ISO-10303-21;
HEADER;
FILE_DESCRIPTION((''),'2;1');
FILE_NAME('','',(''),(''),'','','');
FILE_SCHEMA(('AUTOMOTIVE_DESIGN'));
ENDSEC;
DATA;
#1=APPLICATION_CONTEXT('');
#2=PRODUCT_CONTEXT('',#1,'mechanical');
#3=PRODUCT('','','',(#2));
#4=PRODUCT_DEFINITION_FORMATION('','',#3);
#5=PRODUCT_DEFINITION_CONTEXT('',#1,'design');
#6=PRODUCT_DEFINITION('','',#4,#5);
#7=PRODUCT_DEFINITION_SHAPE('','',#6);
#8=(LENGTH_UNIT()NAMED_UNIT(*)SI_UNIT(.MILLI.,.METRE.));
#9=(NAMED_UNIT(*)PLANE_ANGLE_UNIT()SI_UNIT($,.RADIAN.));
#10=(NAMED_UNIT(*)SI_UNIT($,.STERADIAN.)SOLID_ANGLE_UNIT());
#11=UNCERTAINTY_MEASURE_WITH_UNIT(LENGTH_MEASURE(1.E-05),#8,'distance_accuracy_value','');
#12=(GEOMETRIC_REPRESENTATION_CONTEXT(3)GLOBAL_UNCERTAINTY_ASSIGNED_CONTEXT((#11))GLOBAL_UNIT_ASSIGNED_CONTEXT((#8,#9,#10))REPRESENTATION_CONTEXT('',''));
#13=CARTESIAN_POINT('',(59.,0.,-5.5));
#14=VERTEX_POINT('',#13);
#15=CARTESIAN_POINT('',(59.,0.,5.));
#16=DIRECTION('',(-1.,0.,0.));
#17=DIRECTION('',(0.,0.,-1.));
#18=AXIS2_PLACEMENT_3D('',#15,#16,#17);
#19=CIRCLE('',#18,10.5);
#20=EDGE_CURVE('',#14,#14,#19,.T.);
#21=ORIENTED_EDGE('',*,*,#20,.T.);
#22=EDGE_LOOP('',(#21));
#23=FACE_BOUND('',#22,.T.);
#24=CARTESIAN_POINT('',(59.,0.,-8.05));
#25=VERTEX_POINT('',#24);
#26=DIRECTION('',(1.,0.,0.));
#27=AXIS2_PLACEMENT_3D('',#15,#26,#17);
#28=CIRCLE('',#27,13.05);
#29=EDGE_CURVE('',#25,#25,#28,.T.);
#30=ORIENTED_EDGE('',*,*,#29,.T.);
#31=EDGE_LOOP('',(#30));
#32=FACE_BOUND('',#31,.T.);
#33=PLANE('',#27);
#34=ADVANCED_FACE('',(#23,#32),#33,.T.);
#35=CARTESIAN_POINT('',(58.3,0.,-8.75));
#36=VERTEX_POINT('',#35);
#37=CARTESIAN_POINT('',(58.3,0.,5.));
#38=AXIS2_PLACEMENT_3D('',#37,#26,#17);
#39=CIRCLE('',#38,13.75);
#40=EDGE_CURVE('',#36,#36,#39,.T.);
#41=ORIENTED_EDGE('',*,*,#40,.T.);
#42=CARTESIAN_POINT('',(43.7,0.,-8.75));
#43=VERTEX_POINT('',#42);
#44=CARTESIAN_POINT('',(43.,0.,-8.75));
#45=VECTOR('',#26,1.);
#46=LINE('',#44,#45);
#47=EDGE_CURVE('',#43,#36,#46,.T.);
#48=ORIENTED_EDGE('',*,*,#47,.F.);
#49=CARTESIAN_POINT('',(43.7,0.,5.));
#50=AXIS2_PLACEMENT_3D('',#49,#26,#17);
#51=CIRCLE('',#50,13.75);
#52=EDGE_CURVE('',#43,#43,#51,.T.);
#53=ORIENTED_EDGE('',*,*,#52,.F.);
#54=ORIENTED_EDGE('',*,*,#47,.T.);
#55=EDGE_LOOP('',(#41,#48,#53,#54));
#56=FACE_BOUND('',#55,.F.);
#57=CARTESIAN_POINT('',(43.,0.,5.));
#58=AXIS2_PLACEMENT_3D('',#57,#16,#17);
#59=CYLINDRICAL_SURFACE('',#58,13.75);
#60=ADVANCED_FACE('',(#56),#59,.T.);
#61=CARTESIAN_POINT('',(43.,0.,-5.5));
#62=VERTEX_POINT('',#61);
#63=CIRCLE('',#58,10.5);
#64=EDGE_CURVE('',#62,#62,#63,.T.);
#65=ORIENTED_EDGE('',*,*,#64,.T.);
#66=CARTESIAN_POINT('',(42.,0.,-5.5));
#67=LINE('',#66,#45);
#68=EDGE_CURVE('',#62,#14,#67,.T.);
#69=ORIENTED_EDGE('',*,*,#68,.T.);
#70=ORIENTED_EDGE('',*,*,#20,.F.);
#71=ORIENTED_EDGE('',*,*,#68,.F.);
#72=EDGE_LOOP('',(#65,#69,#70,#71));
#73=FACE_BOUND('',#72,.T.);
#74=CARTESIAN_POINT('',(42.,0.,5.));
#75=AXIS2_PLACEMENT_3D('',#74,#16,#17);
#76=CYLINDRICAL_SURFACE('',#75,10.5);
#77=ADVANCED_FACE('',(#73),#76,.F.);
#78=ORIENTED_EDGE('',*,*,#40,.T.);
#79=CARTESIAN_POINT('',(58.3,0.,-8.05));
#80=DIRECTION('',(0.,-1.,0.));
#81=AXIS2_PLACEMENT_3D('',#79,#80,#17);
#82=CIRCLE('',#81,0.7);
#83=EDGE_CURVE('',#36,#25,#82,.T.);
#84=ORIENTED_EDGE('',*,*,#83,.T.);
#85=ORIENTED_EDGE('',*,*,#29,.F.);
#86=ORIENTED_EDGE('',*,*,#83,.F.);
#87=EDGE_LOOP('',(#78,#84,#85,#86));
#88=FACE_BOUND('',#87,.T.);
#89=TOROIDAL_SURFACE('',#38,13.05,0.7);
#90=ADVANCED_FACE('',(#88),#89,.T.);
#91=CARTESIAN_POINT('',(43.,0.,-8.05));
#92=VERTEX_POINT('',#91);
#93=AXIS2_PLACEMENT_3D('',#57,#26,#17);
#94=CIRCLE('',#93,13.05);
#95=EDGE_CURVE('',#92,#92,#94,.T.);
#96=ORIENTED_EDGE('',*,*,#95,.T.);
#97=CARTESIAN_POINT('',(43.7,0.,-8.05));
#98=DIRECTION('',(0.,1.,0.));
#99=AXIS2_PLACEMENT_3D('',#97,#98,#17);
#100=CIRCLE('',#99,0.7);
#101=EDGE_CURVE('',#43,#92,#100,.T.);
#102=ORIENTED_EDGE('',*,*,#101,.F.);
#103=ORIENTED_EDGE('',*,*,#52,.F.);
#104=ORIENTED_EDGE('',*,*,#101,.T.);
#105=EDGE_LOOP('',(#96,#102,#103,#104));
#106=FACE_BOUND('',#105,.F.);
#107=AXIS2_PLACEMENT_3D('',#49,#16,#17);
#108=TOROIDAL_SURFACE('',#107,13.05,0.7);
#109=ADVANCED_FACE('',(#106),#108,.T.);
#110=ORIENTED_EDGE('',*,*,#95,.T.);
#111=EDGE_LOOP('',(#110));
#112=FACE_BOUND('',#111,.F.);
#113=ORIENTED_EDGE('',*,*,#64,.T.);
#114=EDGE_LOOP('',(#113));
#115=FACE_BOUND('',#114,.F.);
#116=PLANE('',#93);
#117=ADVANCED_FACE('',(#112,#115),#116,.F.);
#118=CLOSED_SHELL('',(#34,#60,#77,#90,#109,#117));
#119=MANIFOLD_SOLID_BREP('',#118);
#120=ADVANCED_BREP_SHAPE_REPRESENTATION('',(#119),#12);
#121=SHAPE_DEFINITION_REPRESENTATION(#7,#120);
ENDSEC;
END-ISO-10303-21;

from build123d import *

# Parameters (mm, degrees)
CYLINDER041_R        = 10.5
CYLINDER041_DEPTH    = 20
CYLINDER040_R        = 13.75
CYLINDER040_DEPTH    = 16
FILLET013_R          = 0.7
CLONE043_PITCH_ANGLE = 90


with BuildPart() as cylinder041:
    # Cylinder041 → Cylinder041 (new body)
    with BuildSketch(Plane.XY.offset(-1)):
        Circle(CYLINDER041_R)
    extrude(amount=CYLINDER041_DEPTH)


with BuildPart() as right_wheel:
    # Cylinder040 → Cylinder040 (new body)
    with BuildSketch(Plane.XY):
        Circle(CYLINDER040_R)
    extrude(amount=CYLINDER040_DEPTH)

    # Cut027: cut Cylinder041
    add(cylinder041.part, mode=Mode.SUBTRACT)

    # Fillet013
    fillet013_edges = [right_wheel.edges().sort_by_distance(p)[0] for p in [
        (-13.75, 0, 16),
        (-13.75, 0, 0),
    ]]
    fillet(fillet013_edges, radius=FILLET013_R)


with BuildPart() as right_wheel_1:
    # Clone043 pitch: moved
    add(right_wheel.part.rotate(Axis((0, 0, 0), (0, 1, 0)), CLONE043_PITCH_ANGLE))


with BuildPart() as right_wheel_2:
    # Clone043 placement: moved
    add(right_wheel_1.part.moved(Location((43, 0, 5))))


solid = right_wheel_2.part
